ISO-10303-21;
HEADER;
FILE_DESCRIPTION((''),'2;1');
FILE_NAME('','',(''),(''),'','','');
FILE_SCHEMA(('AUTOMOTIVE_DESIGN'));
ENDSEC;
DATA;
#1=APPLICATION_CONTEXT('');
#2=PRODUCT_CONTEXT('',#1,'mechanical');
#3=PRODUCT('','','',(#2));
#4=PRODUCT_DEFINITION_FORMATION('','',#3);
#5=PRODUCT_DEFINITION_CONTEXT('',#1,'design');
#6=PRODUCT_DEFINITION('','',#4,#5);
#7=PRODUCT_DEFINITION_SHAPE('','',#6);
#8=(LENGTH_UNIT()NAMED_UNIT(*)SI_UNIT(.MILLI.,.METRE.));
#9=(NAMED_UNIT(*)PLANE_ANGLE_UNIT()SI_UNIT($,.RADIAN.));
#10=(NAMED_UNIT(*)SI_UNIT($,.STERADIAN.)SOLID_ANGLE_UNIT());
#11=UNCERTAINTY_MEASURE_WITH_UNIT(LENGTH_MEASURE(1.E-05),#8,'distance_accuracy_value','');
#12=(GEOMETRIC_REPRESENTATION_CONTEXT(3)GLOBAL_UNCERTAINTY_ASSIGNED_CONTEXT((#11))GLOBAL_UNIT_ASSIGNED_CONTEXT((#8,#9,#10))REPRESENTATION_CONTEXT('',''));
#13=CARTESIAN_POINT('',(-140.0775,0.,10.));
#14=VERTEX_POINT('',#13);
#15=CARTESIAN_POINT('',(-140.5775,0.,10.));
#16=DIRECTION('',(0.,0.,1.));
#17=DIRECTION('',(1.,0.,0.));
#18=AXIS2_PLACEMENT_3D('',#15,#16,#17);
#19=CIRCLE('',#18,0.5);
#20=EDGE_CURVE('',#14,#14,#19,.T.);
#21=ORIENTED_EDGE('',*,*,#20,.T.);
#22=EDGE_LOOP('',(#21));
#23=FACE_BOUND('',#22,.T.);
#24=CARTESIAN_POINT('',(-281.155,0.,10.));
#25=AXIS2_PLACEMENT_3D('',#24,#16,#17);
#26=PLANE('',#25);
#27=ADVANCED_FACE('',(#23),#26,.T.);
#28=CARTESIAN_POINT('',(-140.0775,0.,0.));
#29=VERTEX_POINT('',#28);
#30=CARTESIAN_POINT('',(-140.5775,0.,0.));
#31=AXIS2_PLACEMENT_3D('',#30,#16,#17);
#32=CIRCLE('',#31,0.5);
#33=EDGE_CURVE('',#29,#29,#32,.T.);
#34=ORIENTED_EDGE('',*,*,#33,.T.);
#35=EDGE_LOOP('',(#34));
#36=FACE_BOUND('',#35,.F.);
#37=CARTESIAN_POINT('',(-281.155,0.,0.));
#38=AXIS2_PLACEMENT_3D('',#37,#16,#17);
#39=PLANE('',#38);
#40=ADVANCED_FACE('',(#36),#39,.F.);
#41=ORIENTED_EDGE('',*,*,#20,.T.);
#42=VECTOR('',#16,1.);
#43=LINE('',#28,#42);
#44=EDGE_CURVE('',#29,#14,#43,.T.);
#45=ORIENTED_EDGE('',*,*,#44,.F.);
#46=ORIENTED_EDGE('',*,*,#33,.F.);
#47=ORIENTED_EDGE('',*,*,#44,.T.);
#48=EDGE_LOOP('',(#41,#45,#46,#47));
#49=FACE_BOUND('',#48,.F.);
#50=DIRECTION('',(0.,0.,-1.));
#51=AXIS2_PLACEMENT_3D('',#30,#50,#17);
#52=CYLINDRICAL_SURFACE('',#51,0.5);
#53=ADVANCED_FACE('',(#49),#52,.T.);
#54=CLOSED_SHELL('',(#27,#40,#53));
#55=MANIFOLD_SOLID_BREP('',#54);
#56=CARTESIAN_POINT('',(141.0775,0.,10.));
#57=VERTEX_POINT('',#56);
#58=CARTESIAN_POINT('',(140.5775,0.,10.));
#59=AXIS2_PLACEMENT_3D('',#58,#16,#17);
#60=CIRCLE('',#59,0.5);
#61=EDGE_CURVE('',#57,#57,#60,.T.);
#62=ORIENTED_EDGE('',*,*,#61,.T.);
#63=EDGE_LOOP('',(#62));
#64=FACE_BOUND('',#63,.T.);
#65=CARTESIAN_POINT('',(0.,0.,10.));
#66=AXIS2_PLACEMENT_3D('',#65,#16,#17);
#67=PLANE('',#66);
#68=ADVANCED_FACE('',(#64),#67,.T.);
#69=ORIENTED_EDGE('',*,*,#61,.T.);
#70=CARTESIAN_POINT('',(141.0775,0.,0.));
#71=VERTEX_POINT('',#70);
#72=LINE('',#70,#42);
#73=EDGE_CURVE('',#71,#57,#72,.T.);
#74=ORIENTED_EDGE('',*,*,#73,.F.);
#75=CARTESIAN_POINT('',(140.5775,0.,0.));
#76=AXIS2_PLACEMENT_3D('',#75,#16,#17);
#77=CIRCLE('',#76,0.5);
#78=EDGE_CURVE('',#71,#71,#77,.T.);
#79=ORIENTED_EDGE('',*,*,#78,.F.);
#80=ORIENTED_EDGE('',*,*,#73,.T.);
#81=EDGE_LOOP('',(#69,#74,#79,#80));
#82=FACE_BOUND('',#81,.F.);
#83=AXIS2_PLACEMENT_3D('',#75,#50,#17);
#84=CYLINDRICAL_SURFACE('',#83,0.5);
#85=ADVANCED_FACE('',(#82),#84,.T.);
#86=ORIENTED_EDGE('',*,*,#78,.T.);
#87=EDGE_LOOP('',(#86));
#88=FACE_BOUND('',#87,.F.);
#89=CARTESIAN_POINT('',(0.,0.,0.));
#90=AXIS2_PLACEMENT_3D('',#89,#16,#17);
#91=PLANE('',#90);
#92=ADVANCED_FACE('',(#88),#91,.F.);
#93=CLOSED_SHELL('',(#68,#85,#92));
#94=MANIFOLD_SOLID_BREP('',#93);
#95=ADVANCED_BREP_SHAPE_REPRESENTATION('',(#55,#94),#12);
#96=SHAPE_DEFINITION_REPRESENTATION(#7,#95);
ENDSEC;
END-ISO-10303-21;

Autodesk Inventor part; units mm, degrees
ref_plane "YZ Plane" through (0, 0, 0) normal (1, 0, 0) x (0, 1, 0)
ref_plane "XZ Plane" through (0, 0, 0) normal (0, 1, 0) x (-1, 0, 0)
ref_plane "XY Plane" through (0, 0, 0) normal (0, 0, 1) x (1, 0, 0)
sketch "Sketch1" plane through (0, 0, 0) normal (0, 0, 1) x (1, 0, 0)
  line L0 (-200.5775, -9.75) -> (200.5775, -9.75)
  line L1 (200.5775, -9.75) -> (200.5775, 9.75)
  line L2 (200.5775, 9.75) -> (-200.5775, 9.75)
  line L3 (-200.5775, 9.75) -> (-200.5775, -9.75)
  line L4 (-200.5775, -9.75) -> (200.5775, 9.75) construction
  line L5 (200.5775, -9.75) -> (-200.5775, 9.75) construction
  point P0 (0, 0)
  dimension "d0" = 401.155
  dimension "d1" = 19.5
sketch "Lamello" plane through (0, 0, 0) normal (0, 0, 1) x (1, 0, 0)
  line L0 (48.383, 141.1858) -> (42.783, 141.1858)
  line L1 (40.583, 139.6858) -> (40.583, 114.6858)
  line L2 (42.783, 113.1858) -> (48.383, 113.1858)
  line L3 (50.583, 114.6858) -> (50.583, 139.6858)
  line L4 (50.583, 139.6858) -> (48.383, 141.1858)
  line L5 (40.583, 139.6858) -> (42.783, 141.1858)
  line L6 (40.583, 114.6858) -> (42.783, 113.1858)
  line L7 (50.583, 114.6858) -> (48.383, 113.1858)
  line L8 (50.583, 127.1858) -> (40.583, 127.1858)
  line L9 (45.583, 141.1858) -> (45.583, 113.1858)
  point P0 (45.583, 127.1858)
  point P1 (50.583, 141.1858)
  point P2 (40.583, 113.1858)
  point P3 (40.583, 141.1858)
  point P4 (50.583, 113.1858)
  dimension "d54" = 10
  dimension "d55" = 28
  dimension "d56" = 1.5
  dimension "d57" = 2.2
  dimension "d58" = 1.5
  dimension "d59" = 2.2
  dimension "d60" = 1.5
  dimension "d61" = 2.2
  dimension "d62" = 1.5
  dimension "d63" = 2.2
sketch "Sketch2" plane through (0, 0, 0) normal (0, 0, 1) x (1, 0, 0)
  circle A0 centre (140.5775, 0) radius 0.5
  line L0 (200.5775, 9.75) -> (-200.5775, 9.75) projected
  line L1 (-200.5775, -9.75) -> (200.5775, -9.75) projected
  line L2 (0, -131.2) -> (0, 80.2) projected
  line L3 (200.5775, -9.75) -> (200.5775, 9.75) projected
  point P0 (0, 0)
  dimension "d4" = 1
  dimension "d50" = 9.75
  dimension "d70" = 60
extrude "Extrusion1" add sketch "Sketch2" along normal blind 10 contours A0
pattern_linear "Clamex Array" count 2 spacing 281.155 along (-1, 0, 0) of "Extrusion1"
sketch "Edge-Side Connection" plane through (0, 0, 0) normal (1, 0, 0) x (0, 1, 0)
  line L0 (-50, 0) -> (50, 0)
  line L1 (50, 0) -> (50, 19)
  line L2 (50, 19) -> (-50, 19)
  line L3 (-50, 19) -> (-50, 0)
  line L4 (-9.75, 0) -> (-9.75, -40)
  line L5 (-9.75, -40) -> (9.75, -40)
  line L6 (9.75, -40) -> (9.75, 0)
  line L7 (0, -14) -> (0, 14) construction
  line L8 (9.75, 0) -> (5, 0)
  line L9 (-5, -12.5) -> (-9.75, -12.5)
  point P0 (0, 0)
  point P1 (9.75, 0)
  point P2 (0, 0)
  dimension "d26" = 100
  dimension "d27" = 19
  dimension "d28" = 40
  dimension "OtherSideRefYCoordinate" = 9.75
  dimension "ReferenceCoord" = 9.75
  dimension "d49" = 90
sketch "Edge-Edge Connection" plane through (0, 0, 0) normal (1, 0, 0) x (0, 1, 0)
  line L0 (-101, 19) -> (19, 19)
  line L1 (19, 19) -> (0, 0)
  line L2 (0, 0) -> (-101, 0)
  line L3 (-101, 0) -> (-101, 19)
  line L4 (19, 19) -> (19, -101)
  line L5 (0, 0) -> (0, -101)
  line L6 (0, -101) -> (19, -101)
  line L7 (1.28, 1.28) -> (0, 0)
  line L8 (-0.4878, 17.1899) -> (-0.4878, 19)
  point P0 (4.8155, 4.8155)
  dimension "d51" = 19
  dimension "d53" = 19
  dimension "EdgeEdgeReferenceCoord" = 6.8101
  dimension "d65" = 90
  dimension "d66" = 120
  dimension "d67" = 120
  dimension "EdgeEdgeOtherSideRefYCoordinate" = 20.0599
equation "\"d9\" = Step"
equation "\"d27\" = NestleBoardT"
equation "\"d0\" = ContactPatchWidth"
equation "\"d1\" = ContactPatchHeight"
equation "\"ContactPatchWidth\" = 401.155"
equation "\"ContactPatchHeight\" = 19.5"
equation "\"PlacingWidth\" = 281.155"
equation "\"MinDistBetween\" = 96"
equation "\"Step\" = 281.155"
equation "\"Y_Coord\" = 9.75"
equation "\"NestleBoardT\" = 19"
equation "\"PillarBoardT\" = 19"
equation "\"AngleForYPositionCalc\" = 90deg"
equation "\"ConnectionAngle\" = 90deg"
equation "\"ShiftY\" = 0"
properties part number "Clamex Joint11700"
